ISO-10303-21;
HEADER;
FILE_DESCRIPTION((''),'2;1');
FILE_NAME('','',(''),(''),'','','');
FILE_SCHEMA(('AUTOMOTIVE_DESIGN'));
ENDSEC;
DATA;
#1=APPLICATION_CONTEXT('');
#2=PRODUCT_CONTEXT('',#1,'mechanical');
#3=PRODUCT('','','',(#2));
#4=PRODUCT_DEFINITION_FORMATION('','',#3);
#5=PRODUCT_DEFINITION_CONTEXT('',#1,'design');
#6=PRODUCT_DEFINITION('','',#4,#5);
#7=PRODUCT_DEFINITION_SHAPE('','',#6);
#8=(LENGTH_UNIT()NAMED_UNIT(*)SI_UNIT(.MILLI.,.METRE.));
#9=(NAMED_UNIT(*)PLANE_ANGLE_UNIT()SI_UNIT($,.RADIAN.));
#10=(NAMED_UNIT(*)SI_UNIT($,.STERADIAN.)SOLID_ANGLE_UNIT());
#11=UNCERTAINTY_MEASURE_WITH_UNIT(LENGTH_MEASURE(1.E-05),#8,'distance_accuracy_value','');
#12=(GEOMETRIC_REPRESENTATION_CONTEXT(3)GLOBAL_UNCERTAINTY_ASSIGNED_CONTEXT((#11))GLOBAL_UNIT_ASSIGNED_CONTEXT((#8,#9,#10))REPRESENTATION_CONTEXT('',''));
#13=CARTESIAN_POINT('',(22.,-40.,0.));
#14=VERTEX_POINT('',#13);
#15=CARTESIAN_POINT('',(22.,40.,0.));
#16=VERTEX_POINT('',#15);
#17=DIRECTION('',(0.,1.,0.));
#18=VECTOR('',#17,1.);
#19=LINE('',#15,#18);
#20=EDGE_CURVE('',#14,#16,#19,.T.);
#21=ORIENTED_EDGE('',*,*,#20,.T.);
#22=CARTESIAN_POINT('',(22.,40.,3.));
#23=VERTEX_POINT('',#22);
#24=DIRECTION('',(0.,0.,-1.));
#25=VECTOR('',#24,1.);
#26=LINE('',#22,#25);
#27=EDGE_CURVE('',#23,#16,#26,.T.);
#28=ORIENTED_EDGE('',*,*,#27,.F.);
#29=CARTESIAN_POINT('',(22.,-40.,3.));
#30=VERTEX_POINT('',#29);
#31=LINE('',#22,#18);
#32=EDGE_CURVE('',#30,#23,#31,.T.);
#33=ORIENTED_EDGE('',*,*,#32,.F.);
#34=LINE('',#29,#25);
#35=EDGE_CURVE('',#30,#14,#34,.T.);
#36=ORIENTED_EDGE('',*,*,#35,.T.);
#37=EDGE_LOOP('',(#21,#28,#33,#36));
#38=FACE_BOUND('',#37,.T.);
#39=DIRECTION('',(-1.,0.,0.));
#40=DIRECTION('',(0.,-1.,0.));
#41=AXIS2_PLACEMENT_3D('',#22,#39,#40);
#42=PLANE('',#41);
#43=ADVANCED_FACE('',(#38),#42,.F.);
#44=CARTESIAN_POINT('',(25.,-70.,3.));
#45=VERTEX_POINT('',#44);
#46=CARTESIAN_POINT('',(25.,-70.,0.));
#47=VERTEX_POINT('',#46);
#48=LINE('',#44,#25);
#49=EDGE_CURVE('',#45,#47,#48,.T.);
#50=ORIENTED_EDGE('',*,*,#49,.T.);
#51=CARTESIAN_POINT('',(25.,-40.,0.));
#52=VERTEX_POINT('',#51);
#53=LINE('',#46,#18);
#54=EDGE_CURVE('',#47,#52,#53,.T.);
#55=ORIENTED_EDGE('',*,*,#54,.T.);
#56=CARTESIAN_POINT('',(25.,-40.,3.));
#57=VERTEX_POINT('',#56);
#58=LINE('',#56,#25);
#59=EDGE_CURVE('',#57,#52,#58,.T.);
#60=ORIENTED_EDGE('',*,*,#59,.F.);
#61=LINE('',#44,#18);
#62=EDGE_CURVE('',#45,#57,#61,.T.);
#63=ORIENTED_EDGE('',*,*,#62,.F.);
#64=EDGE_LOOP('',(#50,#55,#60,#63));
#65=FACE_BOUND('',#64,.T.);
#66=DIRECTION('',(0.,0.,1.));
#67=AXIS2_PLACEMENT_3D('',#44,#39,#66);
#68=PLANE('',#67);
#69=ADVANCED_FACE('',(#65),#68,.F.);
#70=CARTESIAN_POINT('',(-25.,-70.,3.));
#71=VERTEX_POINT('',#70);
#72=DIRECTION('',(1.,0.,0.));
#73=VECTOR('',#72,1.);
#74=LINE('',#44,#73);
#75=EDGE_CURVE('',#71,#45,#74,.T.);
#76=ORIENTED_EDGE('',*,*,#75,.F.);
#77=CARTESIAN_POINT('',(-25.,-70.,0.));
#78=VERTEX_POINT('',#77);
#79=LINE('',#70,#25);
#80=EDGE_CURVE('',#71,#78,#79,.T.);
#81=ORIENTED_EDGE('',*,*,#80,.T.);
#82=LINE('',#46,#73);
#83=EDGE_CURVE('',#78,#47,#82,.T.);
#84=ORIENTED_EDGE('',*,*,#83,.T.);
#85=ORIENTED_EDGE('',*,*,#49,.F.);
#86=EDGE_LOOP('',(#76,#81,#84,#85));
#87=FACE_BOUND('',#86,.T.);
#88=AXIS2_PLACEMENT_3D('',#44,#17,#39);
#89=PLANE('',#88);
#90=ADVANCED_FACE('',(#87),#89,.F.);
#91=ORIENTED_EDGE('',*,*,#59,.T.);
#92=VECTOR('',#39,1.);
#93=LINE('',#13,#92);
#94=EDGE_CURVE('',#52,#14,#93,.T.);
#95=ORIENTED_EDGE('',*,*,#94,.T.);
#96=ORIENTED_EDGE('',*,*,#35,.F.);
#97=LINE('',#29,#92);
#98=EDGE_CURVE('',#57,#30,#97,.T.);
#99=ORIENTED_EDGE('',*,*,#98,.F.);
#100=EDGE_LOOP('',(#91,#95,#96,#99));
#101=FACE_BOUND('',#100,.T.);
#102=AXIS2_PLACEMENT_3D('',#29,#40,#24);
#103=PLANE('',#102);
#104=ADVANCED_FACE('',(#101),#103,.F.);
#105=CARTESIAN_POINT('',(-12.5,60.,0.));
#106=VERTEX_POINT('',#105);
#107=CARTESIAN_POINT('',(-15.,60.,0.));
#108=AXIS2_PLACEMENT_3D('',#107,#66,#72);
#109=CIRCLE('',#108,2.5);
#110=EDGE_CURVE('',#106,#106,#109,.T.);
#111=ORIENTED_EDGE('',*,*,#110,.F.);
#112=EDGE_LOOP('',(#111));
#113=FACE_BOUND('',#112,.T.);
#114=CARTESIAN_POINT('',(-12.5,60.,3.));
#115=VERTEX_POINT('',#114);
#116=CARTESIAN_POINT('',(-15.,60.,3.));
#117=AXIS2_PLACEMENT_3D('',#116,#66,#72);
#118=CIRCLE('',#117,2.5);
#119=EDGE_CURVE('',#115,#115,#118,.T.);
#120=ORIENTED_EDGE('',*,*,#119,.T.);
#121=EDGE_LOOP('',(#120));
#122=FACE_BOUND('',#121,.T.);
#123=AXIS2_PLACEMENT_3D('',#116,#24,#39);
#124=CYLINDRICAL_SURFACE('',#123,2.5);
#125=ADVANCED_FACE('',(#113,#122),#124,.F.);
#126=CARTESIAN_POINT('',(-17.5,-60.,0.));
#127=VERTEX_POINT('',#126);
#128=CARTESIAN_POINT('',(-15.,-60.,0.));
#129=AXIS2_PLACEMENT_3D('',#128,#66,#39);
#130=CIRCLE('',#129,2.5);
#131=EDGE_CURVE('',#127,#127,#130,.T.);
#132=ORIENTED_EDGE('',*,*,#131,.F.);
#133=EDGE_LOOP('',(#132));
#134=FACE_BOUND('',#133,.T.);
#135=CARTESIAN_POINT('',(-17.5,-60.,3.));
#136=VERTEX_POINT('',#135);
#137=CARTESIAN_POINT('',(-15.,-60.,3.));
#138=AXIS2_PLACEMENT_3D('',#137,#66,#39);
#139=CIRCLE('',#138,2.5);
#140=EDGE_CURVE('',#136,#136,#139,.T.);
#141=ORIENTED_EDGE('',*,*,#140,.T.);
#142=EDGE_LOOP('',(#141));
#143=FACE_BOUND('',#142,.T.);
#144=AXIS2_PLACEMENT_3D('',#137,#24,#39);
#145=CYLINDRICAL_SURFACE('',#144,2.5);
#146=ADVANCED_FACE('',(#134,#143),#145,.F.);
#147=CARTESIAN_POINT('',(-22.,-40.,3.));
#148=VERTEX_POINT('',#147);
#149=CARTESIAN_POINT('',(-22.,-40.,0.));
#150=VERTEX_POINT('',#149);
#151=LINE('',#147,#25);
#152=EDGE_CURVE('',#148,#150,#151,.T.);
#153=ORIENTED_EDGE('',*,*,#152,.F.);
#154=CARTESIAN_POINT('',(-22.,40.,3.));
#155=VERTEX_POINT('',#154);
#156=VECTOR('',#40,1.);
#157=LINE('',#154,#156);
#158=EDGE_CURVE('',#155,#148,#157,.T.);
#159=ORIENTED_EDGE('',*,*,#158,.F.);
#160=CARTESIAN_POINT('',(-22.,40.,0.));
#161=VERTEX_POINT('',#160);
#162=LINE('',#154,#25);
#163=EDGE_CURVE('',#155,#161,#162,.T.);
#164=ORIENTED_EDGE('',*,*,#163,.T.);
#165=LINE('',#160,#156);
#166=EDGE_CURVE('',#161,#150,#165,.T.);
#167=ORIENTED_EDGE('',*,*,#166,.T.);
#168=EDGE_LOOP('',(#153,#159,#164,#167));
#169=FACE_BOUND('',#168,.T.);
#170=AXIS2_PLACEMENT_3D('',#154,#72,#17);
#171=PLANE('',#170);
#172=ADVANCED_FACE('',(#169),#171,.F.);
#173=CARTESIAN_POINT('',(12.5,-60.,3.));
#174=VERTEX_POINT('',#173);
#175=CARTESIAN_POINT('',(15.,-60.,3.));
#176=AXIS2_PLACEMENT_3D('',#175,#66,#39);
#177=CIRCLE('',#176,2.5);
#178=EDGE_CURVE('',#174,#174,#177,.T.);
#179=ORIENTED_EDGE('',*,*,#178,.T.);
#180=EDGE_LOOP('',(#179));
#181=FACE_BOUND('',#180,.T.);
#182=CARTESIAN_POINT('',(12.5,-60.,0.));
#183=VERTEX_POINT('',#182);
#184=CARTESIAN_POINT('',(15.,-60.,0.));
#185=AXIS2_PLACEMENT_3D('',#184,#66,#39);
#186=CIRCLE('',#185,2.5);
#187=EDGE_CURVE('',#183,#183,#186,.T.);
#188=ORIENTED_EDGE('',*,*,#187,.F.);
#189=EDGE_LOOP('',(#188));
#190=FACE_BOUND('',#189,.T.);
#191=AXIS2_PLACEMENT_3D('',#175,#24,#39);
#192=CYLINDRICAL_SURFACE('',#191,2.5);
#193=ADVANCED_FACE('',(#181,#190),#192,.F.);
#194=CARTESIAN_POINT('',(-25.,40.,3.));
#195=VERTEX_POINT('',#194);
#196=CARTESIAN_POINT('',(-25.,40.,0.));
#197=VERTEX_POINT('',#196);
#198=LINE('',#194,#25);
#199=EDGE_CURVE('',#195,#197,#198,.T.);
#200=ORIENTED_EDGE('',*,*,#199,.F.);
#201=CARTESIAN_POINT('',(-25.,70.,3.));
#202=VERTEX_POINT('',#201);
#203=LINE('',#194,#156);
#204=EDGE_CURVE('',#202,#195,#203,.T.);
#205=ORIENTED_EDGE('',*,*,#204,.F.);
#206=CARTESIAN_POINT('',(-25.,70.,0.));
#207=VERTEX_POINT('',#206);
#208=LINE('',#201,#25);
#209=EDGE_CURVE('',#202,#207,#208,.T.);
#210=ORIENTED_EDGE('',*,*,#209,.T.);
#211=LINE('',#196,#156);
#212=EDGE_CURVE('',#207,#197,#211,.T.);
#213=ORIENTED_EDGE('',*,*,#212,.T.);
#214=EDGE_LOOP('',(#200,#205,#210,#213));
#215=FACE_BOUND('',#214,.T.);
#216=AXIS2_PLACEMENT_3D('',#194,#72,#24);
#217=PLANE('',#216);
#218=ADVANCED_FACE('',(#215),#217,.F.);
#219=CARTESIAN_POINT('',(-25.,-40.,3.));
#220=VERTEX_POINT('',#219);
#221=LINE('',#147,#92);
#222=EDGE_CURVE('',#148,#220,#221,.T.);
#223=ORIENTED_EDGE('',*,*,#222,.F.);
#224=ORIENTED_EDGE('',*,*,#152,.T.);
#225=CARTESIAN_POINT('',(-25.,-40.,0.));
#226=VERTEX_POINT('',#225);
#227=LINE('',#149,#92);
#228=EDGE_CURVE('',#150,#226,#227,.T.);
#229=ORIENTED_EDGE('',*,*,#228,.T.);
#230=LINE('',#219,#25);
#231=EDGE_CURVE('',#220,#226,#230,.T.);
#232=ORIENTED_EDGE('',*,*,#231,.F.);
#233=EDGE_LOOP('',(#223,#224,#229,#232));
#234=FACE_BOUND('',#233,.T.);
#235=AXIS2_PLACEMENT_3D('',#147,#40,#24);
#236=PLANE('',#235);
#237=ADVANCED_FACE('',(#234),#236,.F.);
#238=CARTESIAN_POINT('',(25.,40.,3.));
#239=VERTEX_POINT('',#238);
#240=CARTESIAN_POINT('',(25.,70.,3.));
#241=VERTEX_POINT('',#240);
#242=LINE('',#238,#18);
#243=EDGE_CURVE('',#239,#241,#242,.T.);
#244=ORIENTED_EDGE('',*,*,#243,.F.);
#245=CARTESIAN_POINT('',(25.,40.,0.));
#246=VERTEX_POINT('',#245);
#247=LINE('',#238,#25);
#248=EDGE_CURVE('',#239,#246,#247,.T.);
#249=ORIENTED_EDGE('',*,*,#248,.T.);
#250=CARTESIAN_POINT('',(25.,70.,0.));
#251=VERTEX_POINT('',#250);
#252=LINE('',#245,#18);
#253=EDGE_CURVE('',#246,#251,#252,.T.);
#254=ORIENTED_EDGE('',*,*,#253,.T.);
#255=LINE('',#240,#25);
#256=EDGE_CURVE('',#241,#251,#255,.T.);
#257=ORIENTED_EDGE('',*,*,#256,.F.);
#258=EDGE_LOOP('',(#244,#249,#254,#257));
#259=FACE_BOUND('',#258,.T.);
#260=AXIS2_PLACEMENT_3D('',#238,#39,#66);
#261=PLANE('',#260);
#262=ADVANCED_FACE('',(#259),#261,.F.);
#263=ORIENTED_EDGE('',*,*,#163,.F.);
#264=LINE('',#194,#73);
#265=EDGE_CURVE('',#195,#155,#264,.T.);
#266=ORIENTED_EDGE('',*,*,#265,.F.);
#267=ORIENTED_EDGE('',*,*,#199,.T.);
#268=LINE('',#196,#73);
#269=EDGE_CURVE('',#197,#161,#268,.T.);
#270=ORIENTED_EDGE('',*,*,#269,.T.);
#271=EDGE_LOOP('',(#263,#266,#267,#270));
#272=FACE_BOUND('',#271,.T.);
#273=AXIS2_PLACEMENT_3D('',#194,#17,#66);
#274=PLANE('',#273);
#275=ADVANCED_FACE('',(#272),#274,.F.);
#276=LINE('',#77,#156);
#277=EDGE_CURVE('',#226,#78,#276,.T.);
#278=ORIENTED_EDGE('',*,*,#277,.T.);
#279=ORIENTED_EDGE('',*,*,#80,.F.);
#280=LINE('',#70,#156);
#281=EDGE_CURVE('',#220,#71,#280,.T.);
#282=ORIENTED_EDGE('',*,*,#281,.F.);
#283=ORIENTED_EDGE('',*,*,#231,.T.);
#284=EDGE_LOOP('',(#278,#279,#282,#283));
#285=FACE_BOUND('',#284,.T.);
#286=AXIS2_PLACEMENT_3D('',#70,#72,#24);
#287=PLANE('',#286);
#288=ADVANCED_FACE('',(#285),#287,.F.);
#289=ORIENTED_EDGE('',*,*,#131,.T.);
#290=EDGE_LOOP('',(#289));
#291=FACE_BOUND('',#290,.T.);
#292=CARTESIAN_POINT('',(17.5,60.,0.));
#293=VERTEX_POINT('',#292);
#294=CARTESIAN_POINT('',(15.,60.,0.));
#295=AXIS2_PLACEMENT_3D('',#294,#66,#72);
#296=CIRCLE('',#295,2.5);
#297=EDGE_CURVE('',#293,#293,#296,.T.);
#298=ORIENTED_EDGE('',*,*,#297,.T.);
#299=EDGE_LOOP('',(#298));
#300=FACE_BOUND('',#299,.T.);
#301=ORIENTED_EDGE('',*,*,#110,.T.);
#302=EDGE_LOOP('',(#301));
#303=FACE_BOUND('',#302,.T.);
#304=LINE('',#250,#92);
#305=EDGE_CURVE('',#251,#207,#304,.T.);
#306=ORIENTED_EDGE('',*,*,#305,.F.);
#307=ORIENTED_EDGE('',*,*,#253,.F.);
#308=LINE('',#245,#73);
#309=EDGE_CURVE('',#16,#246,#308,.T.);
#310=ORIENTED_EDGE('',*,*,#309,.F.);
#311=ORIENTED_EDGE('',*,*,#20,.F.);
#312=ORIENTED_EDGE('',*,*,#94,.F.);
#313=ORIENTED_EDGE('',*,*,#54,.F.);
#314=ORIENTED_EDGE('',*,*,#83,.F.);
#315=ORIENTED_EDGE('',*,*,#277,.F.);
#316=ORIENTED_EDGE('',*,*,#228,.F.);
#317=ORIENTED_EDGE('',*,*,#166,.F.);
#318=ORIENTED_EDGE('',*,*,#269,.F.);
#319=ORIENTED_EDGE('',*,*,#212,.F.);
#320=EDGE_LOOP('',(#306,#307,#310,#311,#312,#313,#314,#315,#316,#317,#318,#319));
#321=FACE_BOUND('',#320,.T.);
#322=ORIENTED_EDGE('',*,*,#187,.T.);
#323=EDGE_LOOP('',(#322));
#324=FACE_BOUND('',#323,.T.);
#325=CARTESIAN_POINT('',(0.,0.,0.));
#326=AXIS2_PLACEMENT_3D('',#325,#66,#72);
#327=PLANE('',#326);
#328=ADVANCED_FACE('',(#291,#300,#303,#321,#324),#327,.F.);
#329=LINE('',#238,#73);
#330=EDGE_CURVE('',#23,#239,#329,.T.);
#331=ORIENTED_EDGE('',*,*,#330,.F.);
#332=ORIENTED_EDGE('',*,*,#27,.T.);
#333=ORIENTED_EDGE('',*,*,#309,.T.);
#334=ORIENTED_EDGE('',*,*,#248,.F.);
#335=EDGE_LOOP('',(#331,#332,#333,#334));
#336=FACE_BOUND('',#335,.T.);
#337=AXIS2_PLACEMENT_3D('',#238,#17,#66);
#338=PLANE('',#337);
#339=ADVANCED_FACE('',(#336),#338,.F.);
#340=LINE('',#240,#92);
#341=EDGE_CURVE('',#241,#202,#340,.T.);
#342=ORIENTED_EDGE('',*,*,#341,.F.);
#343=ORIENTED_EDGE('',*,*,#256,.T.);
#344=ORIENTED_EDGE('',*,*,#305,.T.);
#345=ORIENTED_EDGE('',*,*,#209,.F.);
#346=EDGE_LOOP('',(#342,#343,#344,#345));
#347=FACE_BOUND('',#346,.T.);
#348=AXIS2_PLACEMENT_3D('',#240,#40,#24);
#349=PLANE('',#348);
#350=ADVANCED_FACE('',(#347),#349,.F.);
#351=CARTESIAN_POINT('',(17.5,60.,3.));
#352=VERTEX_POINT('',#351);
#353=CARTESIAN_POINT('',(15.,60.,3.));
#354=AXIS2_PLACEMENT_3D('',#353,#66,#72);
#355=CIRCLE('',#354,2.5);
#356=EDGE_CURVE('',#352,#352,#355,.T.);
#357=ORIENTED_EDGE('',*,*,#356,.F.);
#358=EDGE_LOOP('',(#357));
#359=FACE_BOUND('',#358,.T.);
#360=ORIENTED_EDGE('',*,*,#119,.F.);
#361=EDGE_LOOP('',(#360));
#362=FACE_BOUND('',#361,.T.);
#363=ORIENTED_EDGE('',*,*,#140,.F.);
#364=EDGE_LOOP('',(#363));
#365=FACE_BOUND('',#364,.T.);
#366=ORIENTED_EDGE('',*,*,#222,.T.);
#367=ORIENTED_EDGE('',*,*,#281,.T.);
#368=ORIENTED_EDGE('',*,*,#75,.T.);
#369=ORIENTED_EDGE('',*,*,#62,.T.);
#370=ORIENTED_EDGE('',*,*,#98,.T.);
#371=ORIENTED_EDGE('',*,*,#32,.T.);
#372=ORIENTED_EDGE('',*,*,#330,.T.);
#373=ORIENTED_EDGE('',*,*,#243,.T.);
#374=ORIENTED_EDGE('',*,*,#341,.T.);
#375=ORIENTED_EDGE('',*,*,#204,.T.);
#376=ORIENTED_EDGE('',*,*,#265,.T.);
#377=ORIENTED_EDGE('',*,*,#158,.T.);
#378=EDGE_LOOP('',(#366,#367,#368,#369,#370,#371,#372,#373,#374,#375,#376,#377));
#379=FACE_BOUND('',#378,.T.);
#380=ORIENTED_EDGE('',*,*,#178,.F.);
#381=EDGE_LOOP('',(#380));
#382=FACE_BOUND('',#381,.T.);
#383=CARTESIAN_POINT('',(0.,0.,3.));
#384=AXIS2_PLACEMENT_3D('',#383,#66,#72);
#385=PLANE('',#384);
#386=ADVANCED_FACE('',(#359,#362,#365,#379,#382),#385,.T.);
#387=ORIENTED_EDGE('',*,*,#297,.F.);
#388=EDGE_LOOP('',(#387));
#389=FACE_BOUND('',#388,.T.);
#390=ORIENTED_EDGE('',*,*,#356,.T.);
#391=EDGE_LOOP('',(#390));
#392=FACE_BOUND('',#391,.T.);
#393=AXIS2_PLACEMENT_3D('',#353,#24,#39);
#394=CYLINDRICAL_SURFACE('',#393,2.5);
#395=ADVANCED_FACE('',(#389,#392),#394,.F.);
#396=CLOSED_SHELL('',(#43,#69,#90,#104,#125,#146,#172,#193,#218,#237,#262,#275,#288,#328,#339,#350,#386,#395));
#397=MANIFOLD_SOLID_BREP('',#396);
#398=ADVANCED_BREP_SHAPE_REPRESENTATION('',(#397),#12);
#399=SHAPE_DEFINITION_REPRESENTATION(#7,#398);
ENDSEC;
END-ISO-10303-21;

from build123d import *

# Parameters (mm, degrees)
SKETCH1_R           = 2.5
BOSS_EXTRUDE1_DEPTH = 3


with BuildPart() as part:
    # Sketch1 → Boss-Extrude1 (new body)
    with BuildSketch(Plane.XY):
        Polygon((25, -70), (-25, -70), (-25, -40), (-22, -40), (-22, 40), (-25, 40), (-25, 70), (25, 70), (25, 40), (22, 40), (22, -40), (25, -40), align=None)
        with Locations((-15, 60)):
            Circle(SKETCH1_R, mode=Mode.SUBTRACT)
        with Locations((15, 60)):
            Circle(SKETCH1_R, mode=Mode.SUBTRACT)
        with Locations(Location((15, -60, 0), (0, 0, 180))):
            Circle(SKETCH1_R, mode=Mode.SUBTRACT)
        with Locations(Location((-15, -60, 0), (0, 0, 180))):
            Circle(SKETCH1_R, mode=Mode.SUBTRACT)
    extrude(amount=BOSS_EXTRUDE1_DEPTH)


solid = part.part
